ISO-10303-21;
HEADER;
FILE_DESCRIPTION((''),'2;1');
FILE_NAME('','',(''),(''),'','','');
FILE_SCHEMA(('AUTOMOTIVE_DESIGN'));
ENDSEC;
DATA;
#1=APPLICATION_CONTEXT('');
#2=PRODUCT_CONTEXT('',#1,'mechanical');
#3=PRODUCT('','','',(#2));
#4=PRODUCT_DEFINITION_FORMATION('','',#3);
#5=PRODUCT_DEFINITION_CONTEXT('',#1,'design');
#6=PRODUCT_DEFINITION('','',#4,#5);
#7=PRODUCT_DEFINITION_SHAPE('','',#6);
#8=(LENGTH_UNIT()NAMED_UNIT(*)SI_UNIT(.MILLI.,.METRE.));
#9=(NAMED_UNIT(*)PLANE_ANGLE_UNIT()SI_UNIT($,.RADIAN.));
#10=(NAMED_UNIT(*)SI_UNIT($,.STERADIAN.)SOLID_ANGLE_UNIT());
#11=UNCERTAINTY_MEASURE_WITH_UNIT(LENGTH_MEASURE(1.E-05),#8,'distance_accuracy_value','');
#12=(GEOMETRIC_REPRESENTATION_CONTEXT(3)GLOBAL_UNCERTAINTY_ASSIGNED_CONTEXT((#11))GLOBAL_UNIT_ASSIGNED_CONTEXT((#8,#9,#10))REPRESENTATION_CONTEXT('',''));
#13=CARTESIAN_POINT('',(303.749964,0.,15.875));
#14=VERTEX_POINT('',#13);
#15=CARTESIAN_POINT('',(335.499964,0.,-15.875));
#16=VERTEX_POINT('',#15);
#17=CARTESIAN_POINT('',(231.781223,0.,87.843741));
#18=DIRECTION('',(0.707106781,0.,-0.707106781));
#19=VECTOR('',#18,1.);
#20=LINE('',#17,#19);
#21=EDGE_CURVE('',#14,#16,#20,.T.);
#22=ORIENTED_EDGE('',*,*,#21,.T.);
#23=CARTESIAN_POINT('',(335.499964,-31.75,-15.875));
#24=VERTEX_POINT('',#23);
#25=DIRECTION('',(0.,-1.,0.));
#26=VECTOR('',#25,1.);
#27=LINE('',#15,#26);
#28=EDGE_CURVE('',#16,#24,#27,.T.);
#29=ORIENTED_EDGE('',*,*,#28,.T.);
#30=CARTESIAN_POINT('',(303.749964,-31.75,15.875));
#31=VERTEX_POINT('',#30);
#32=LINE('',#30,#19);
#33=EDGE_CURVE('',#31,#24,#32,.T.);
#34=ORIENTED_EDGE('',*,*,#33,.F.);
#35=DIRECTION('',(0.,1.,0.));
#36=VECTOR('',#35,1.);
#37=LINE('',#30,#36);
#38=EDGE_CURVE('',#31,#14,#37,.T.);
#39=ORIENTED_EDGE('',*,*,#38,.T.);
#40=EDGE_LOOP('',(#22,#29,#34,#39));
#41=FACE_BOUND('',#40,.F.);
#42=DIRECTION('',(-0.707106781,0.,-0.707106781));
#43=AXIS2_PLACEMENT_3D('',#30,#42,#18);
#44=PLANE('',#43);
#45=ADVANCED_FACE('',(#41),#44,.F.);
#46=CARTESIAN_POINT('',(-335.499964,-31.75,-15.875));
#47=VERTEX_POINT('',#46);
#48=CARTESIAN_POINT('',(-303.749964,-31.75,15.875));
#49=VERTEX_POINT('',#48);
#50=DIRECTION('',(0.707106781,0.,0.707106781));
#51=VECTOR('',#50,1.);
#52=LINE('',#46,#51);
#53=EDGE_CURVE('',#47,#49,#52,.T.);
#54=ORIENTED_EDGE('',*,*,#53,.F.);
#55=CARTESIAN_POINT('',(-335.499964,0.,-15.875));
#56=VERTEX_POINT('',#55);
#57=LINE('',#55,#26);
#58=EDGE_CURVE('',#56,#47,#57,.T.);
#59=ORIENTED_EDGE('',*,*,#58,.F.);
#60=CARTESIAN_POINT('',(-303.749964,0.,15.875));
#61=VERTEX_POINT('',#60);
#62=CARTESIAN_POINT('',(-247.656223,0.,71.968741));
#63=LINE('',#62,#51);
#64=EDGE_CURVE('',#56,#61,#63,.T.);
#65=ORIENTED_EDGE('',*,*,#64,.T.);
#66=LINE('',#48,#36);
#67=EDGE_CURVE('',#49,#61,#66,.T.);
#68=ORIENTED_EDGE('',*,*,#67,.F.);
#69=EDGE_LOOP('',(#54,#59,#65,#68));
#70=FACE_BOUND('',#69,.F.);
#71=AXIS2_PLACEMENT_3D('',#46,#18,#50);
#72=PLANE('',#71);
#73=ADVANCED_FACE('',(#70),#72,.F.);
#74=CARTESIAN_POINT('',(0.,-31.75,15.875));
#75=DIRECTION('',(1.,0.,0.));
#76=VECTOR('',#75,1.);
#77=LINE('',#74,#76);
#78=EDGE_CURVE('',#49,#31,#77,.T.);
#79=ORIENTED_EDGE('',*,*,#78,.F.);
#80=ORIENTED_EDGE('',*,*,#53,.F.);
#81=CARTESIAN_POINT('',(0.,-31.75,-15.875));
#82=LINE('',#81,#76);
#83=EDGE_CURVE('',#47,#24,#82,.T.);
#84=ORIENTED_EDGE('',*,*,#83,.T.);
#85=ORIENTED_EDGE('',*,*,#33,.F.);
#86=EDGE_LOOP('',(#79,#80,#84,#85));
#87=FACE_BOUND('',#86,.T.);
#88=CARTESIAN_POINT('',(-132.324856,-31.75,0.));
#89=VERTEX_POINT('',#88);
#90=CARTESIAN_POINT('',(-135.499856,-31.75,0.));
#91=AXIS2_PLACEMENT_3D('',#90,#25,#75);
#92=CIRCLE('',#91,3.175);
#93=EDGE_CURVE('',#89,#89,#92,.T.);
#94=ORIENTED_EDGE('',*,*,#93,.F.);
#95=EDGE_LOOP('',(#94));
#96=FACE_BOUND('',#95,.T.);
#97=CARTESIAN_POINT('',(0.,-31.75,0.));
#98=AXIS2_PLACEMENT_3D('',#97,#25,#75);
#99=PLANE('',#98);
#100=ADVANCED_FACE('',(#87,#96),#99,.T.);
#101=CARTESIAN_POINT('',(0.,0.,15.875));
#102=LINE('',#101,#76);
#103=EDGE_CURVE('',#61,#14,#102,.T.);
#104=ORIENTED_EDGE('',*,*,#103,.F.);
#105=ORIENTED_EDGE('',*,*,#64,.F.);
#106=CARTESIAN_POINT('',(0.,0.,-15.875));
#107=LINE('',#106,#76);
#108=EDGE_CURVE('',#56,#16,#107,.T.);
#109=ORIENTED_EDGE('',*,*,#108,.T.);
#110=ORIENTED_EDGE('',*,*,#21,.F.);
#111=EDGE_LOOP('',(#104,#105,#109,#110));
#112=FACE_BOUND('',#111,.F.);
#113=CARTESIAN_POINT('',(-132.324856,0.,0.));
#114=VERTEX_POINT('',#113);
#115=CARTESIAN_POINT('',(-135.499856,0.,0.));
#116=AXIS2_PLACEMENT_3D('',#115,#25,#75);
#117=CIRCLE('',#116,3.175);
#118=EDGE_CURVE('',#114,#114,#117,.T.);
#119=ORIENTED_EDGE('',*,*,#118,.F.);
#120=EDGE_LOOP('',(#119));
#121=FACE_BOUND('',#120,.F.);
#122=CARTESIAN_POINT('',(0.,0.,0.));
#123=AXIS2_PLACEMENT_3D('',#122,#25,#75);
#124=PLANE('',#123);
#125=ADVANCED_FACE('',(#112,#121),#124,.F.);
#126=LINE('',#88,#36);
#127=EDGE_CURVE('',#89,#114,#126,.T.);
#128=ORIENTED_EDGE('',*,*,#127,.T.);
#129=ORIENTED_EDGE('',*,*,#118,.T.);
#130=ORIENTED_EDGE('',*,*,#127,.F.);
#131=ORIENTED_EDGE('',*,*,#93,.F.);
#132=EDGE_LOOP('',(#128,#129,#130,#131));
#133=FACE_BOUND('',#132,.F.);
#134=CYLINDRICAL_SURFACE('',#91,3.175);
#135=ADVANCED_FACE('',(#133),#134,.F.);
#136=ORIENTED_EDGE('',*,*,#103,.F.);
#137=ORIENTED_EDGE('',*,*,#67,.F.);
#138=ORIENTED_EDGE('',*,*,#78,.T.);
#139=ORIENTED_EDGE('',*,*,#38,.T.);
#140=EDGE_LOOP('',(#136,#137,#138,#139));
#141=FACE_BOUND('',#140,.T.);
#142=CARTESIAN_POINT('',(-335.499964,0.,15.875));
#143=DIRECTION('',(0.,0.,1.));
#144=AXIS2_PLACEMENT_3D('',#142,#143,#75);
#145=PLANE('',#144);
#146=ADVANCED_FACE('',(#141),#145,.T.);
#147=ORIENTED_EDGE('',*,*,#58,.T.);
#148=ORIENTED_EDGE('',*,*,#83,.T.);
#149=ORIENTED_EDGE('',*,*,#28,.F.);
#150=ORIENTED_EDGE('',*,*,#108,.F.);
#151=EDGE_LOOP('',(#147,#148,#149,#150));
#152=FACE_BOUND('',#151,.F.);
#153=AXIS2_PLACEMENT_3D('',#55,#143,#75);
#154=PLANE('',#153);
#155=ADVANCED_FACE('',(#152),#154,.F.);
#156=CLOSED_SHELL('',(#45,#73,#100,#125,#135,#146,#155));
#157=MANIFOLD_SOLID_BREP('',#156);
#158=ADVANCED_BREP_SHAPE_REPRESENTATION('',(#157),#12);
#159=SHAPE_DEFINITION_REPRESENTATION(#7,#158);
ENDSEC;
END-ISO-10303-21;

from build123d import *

# Parameters (mm, degrees)
F0_W     = 670.999928
F0_H     = 31.75
F1_DEPTH = 31.75
F3_DEPTH = 31.751
F4_R     = 3.175
F5_DEPTH = 31.751


with BuildPart() as f1:
    # F0 (on Front) → F1 (new body)
    with BuildSketch(Plane.XZ):
        Rectangle(F0_W, F0_H)
    extrude(amount=F1_DEPTH)

    # F2 (on face) → F3 (cut, through all)
    with BuildSketch(Plane.XZ.offset(31.75)):
        Polygon((-335.499964, 15.875), (-335.499964, -15.875), (-303.749964, 15.875), align=None)
        Polygon((303.749964, 15.875), (335.499964, -15.875), (335.499964, 15.875), align=None)
    extrude(amount=-F3_DEPTH, mode=Mode.SUBTRACT)

    # F4 (on face) → F5 (cut, through all)
    with BuildSketch(Plane.XZ.offset(31.75)):
        with Locations((-135.499856, 0)):
            Circle(F4_R)
    extrude(amount=-F5_DEPTH, mode=Mode.SUBTRACT)


solid = f1.part
